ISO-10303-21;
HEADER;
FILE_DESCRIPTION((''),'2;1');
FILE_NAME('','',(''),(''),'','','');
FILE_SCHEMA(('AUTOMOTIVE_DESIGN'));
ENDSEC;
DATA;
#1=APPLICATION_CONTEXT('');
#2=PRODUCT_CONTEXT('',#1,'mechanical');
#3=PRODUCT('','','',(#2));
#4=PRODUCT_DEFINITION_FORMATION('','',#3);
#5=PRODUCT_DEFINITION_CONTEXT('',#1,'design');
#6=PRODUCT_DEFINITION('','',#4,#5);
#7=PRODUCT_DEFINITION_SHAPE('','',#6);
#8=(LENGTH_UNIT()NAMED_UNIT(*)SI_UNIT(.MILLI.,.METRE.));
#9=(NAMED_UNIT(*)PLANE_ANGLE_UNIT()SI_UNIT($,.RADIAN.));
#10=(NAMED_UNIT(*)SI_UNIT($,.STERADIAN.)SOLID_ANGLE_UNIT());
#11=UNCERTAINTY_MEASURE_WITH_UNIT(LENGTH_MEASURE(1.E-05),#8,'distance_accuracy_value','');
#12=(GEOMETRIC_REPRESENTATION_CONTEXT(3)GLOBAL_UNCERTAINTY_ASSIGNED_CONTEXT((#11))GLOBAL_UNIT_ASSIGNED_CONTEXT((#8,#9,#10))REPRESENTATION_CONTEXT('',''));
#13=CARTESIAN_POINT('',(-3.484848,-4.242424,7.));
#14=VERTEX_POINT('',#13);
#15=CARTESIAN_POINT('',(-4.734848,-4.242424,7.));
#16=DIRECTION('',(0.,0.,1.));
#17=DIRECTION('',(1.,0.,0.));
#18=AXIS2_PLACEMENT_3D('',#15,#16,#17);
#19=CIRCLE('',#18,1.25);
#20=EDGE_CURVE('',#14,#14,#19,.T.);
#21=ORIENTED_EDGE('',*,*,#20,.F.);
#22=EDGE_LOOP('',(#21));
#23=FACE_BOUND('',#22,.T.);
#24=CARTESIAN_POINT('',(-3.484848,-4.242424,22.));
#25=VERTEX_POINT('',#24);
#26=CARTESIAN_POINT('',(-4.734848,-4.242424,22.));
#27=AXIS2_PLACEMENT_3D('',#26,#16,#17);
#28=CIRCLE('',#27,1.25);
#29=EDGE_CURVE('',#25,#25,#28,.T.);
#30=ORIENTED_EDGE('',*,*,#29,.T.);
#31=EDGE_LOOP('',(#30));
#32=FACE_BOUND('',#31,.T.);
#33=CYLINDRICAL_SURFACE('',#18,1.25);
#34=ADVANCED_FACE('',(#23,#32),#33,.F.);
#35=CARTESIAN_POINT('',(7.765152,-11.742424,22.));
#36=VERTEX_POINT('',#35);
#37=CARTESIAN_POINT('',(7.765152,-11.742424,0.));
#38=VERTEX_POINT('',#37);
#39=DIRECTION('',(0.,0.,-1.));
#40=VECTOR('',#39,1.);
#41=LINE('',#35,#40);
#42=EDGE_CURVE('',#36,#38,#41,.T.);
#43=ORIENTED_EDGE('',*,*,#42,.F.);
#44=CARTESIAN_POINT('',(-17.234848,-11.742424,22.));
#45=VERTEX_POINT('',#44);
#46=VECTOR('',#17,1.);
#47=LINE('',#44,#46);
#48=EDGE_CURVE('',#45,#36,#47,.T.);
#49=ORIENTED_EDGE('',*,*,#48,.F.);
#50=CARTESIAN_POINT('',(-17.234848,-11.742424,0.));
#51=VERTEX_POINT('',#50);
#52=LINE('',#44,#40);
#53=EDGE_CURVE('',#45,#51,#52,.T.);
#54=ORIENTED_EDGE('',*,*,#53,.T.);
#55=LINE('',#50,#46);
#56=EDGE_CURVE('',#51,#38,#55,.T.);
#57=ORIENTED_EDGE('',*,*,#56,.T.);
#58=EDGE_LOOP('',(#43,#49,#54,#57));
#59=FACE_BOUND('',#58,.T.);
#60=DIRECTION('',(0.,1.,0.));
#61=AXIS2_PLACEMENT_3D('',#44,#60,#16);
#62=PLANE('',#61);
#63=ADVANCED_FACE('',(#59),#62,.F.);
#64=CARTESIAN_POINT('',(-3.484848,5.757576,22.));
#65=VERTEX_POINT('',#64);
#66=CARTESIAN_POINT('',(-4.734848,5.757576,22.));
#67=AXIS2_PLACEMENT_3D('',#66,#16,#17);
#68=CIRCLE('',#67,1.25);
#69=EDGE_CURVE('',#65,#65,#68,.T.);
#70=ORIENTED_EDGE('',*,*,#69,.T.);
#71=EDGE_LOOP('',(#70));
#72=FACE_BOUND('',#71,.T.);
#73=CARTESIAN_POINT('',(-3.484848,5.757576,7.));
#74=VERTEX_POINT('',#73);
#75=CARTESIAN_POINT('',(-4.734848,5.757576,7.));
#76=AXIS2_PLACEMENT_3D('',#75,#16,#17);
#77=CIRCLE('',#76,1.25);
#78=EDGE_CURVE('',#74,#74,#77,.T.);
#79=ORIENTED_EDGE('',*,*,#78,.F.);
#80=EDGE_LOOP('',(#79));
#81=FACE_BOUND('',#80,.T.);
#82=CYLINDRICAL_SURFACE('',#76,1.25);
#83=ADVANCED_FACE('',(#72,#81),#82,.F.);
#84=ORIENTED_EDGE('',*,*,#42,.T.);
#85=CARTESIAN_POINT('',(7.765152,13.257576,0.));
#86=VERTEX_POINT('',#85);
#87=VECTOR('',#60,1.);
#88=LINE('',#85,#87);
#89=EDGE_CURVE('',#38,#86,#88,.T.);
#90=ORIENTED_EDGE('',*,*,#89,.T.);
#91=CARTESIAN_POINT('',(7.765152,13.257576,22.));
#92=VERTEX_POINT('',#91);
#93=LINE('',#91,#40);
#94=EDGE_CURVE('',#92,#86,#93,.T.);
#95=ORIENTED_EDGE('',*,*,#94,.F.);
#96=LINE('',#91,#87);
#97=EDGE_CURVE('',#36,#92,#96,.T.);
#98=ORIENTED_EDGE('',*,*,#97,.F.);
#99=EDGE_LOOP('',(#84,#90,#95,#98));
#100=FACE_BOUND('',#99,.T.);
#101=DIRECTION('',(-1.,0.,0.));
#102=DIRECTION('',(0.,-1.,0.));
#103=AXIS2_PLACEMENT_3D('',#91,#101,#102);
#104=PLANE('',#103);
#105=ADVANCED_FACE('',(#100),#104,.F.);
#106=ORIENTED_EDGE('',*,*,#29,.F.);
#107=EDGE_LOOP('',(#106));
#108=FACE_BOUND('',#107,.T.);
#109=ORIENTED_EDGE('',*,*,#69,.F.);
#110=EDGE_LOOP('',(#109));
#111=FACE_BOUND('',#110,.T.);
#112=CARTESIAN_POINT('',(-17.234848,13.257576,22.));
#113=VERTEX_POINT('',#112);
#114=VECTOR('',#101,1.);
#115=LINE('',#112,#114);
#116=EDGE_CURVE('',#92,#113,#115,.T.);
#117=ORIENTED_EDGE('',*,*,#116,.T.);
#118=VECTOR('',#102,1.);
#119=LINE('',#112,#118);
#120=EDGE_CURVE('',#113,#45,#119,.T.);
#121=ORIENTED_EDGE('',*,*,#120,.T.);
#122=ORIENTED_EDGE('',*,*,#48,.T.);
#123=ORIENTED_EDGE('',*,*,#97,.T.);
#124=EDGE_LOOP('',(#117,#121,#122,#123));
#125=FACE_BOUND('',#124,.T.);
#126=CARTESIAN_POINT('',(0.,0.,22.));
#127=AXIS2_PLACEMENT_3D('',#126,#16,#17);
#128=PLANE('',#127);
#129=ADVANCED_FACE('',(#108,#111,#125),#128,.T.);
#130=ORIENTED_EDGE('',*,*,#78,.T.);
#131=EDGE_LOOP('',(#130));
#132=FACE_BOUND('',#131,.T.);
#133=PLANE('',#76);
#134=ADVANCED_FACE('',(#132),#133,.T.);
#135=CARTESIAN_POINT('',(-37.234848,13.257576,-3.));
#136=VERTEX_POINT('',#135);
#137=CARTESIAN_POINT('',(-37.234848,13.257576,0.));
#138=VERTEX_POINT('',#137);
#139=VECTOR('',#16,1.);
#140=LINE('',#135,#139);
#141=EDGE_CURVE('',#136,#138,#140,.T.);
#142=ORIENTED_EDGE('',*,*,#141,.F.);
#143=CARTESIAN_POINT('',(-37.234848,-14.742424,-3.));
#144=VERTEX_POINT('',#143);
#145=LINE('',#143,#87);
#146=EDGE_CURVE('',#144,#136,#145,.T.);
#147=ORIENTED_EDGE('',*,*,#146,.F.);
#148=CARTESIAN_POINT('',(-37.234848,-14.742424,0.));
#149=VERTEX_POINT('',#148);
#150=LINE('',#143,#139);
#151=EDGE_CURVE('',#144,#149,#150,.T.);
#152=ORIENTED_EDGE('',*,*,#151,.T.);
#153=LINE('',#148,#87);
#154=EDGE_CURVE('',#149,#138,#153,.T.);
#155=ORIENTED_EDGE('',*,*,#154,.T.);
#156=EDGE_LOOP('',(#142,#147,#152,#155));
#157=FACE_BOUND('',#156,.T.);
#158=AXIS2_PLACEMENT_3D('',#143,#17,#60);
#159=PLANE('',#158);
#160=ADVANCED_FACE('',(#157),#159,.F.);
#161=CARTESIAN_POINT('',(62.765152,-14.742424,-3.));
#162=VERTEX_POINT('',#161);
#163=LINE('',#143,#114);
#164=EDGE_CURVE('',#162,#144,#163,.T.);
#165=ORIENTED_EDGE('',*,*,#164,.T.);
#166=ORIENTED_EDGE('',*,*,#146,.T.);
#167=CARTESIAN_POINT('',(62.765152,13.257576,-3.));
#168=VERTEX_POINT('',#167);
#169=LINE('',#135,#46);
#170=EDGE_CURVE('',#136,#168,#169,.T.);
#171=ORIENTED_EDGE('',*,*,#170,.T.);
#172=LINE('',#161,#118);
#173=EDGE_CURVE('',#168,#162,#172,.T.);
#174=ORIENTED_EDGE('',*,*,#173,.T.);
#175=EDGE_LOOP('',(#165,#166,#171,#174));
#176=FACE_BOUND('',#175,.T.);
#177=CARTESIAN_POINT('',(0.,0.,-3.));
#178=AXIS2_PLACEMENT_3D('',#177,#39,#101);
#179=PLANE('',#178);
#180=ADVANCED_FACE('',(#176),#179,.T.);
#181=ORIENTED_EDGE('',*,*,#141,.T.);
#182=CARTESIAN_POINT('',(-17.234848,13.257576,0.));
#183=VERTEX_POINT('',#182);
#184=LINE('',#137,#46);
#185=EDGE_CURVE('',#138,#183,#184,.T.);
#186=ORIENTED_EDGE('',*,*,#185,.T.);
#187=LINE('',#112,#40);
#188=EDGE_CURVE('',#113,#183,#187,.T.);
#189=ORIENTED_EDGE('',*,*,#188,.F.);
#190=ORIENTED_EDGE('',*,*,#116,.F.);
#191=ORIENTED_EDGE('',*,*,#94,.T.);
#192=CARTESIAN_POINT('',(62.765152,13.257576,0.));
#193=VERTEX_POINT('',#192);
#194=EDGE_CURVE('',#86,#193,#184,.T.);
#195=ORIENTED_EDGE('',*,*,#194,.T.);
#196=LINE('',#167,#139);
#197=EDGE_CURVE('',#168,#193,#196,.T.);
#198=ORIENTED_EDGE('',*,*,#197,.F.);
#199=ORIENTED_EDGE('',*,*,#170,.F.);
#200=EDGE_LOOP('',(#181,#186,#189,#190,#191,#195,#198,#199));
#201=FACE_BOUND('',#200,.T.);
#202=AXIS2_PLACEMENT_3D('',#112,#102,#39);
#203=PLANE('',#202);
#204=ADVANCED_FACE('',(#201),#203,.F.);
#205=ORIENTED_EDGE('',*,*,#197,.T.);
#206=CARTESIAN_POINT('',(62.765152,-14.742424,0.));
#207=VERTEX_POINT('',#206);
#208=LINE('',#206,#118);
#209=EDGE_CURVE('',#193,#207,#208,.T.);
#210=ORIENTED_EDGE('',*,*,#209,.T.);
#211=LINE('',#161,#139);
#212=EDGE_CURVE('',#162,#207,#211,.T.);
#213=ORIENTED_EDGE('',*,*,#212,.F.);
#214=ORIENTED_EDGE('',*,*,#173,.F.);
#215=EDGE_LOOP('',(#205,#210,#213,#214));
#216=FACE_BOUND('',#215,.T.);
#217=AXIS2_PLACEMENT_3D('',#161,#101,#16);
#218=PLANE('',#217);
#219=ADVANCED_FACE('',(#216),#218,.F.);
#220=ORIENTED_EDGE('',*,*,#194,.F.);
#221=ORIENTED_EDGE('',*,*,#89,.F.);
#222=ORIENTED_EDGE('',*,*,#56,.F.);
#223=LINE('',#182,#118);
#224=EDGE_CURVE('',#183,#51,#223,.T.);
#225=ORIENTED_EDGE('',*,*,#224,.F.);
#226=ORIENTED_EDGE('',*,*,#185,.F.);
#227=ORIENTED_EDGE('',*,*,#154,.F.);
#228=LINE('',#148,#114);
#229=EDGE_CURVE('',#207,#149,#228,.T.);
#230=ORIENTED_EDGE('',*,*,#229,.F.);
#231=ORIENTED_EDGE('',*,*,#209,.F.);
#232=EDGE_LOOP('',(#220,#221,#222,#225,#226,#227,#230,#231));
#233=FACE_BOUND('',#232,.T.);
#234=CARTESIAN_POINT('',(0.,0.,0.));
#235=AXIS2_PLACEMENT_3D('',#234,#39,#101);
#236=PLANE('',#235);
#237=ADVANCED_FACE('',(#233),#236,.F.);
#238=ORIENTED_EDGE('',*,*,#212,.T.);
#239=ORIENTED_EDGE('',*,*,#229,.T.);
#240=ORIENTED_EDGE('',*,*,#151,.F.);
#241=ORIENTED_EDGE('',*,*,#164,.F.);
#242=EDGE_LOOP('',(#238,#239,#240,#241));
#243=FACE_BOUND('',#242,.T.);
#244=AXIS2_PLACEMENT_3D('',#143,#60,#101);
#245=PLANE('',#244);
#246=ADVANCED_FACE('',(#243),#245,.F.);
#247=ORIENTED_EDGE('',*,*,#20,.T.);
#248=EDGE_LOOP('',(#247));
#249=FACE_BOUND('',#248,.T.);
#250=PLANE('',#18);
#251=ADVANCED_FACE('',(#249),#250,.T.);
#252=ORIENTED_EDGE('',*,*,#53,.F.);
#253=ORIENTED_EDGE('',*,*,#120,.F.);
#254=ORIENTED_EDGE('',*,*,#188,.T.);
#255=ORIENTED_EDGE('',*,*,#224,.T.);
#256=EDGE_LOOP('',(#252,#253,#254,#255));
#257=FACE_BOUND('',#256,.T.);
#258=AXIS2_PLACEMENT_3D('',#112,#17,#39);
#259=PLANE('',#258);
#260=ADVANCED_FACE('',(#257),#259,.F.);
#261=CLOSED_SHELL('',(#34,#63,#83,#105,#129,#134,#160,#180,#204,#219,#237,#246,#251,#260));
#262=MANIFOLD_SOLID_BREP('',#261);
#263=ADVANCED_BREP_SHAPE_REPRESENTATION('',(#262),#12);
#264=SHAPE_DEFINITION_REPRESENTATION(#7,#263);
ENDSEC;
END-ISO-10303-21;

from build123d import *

# Parameters (mm, degrees)
ESQUISSE1_W             = 25
ESQUISSE1_H             = 25
BOSS_EXTRU_1_DEPTH      = 22
ESQUISSE2_R             = 1.25
ENL_V_MAT_EXTRU_1_DEPTH = 15
ESQUISSE3_W             = 100
ESQUISSE3_H             = 28
BOSS_EXTRU_2_DEPTH      = 3


with BuildPart() as part:
    # Esquisse1 → Boss.-Extru.1 (new body)
    with BuildSketch(Plane.XY):
        with Locations((-4.734848485, 0.757575758)):
            Rectangle(ESQUISSE1_W, ESQUISSE1_H)
    extrude(amount=BOSS_EXTRU_1_DEPTH)

    # Esquisse2 → Enlèv. mat.-Extru.1 (cut)
    with BuildSketch(Plane.XY.offset(22)):
        with Locations((-4.734848485, 5.757575758)):
            Circle(ESQUISSE2_R)
        with Locations((-4.734848485, -4.242424242)):
            Circle(ESQUISSE2_R)
    extrude(amount=-ENL_V_MAT_EXTRU_1_DEPTH, mode=Mode.SUBTRACT)

    # Esquisse3 → Boss.-Extru.2 (add)
    with BuildSketch(Plane(origin=(0, 0, 0), x_dir=(-1, 0, 0), z_dir=(0, 0, -1))):
        with Locations((-12.765151515, -0.742424242)):
            Rectangle(ESQUISSE3_W, ESQUISSE3_H)
    extrude(amount=BOSS_EXTRU_2_DEPTH)


solid = part.part
